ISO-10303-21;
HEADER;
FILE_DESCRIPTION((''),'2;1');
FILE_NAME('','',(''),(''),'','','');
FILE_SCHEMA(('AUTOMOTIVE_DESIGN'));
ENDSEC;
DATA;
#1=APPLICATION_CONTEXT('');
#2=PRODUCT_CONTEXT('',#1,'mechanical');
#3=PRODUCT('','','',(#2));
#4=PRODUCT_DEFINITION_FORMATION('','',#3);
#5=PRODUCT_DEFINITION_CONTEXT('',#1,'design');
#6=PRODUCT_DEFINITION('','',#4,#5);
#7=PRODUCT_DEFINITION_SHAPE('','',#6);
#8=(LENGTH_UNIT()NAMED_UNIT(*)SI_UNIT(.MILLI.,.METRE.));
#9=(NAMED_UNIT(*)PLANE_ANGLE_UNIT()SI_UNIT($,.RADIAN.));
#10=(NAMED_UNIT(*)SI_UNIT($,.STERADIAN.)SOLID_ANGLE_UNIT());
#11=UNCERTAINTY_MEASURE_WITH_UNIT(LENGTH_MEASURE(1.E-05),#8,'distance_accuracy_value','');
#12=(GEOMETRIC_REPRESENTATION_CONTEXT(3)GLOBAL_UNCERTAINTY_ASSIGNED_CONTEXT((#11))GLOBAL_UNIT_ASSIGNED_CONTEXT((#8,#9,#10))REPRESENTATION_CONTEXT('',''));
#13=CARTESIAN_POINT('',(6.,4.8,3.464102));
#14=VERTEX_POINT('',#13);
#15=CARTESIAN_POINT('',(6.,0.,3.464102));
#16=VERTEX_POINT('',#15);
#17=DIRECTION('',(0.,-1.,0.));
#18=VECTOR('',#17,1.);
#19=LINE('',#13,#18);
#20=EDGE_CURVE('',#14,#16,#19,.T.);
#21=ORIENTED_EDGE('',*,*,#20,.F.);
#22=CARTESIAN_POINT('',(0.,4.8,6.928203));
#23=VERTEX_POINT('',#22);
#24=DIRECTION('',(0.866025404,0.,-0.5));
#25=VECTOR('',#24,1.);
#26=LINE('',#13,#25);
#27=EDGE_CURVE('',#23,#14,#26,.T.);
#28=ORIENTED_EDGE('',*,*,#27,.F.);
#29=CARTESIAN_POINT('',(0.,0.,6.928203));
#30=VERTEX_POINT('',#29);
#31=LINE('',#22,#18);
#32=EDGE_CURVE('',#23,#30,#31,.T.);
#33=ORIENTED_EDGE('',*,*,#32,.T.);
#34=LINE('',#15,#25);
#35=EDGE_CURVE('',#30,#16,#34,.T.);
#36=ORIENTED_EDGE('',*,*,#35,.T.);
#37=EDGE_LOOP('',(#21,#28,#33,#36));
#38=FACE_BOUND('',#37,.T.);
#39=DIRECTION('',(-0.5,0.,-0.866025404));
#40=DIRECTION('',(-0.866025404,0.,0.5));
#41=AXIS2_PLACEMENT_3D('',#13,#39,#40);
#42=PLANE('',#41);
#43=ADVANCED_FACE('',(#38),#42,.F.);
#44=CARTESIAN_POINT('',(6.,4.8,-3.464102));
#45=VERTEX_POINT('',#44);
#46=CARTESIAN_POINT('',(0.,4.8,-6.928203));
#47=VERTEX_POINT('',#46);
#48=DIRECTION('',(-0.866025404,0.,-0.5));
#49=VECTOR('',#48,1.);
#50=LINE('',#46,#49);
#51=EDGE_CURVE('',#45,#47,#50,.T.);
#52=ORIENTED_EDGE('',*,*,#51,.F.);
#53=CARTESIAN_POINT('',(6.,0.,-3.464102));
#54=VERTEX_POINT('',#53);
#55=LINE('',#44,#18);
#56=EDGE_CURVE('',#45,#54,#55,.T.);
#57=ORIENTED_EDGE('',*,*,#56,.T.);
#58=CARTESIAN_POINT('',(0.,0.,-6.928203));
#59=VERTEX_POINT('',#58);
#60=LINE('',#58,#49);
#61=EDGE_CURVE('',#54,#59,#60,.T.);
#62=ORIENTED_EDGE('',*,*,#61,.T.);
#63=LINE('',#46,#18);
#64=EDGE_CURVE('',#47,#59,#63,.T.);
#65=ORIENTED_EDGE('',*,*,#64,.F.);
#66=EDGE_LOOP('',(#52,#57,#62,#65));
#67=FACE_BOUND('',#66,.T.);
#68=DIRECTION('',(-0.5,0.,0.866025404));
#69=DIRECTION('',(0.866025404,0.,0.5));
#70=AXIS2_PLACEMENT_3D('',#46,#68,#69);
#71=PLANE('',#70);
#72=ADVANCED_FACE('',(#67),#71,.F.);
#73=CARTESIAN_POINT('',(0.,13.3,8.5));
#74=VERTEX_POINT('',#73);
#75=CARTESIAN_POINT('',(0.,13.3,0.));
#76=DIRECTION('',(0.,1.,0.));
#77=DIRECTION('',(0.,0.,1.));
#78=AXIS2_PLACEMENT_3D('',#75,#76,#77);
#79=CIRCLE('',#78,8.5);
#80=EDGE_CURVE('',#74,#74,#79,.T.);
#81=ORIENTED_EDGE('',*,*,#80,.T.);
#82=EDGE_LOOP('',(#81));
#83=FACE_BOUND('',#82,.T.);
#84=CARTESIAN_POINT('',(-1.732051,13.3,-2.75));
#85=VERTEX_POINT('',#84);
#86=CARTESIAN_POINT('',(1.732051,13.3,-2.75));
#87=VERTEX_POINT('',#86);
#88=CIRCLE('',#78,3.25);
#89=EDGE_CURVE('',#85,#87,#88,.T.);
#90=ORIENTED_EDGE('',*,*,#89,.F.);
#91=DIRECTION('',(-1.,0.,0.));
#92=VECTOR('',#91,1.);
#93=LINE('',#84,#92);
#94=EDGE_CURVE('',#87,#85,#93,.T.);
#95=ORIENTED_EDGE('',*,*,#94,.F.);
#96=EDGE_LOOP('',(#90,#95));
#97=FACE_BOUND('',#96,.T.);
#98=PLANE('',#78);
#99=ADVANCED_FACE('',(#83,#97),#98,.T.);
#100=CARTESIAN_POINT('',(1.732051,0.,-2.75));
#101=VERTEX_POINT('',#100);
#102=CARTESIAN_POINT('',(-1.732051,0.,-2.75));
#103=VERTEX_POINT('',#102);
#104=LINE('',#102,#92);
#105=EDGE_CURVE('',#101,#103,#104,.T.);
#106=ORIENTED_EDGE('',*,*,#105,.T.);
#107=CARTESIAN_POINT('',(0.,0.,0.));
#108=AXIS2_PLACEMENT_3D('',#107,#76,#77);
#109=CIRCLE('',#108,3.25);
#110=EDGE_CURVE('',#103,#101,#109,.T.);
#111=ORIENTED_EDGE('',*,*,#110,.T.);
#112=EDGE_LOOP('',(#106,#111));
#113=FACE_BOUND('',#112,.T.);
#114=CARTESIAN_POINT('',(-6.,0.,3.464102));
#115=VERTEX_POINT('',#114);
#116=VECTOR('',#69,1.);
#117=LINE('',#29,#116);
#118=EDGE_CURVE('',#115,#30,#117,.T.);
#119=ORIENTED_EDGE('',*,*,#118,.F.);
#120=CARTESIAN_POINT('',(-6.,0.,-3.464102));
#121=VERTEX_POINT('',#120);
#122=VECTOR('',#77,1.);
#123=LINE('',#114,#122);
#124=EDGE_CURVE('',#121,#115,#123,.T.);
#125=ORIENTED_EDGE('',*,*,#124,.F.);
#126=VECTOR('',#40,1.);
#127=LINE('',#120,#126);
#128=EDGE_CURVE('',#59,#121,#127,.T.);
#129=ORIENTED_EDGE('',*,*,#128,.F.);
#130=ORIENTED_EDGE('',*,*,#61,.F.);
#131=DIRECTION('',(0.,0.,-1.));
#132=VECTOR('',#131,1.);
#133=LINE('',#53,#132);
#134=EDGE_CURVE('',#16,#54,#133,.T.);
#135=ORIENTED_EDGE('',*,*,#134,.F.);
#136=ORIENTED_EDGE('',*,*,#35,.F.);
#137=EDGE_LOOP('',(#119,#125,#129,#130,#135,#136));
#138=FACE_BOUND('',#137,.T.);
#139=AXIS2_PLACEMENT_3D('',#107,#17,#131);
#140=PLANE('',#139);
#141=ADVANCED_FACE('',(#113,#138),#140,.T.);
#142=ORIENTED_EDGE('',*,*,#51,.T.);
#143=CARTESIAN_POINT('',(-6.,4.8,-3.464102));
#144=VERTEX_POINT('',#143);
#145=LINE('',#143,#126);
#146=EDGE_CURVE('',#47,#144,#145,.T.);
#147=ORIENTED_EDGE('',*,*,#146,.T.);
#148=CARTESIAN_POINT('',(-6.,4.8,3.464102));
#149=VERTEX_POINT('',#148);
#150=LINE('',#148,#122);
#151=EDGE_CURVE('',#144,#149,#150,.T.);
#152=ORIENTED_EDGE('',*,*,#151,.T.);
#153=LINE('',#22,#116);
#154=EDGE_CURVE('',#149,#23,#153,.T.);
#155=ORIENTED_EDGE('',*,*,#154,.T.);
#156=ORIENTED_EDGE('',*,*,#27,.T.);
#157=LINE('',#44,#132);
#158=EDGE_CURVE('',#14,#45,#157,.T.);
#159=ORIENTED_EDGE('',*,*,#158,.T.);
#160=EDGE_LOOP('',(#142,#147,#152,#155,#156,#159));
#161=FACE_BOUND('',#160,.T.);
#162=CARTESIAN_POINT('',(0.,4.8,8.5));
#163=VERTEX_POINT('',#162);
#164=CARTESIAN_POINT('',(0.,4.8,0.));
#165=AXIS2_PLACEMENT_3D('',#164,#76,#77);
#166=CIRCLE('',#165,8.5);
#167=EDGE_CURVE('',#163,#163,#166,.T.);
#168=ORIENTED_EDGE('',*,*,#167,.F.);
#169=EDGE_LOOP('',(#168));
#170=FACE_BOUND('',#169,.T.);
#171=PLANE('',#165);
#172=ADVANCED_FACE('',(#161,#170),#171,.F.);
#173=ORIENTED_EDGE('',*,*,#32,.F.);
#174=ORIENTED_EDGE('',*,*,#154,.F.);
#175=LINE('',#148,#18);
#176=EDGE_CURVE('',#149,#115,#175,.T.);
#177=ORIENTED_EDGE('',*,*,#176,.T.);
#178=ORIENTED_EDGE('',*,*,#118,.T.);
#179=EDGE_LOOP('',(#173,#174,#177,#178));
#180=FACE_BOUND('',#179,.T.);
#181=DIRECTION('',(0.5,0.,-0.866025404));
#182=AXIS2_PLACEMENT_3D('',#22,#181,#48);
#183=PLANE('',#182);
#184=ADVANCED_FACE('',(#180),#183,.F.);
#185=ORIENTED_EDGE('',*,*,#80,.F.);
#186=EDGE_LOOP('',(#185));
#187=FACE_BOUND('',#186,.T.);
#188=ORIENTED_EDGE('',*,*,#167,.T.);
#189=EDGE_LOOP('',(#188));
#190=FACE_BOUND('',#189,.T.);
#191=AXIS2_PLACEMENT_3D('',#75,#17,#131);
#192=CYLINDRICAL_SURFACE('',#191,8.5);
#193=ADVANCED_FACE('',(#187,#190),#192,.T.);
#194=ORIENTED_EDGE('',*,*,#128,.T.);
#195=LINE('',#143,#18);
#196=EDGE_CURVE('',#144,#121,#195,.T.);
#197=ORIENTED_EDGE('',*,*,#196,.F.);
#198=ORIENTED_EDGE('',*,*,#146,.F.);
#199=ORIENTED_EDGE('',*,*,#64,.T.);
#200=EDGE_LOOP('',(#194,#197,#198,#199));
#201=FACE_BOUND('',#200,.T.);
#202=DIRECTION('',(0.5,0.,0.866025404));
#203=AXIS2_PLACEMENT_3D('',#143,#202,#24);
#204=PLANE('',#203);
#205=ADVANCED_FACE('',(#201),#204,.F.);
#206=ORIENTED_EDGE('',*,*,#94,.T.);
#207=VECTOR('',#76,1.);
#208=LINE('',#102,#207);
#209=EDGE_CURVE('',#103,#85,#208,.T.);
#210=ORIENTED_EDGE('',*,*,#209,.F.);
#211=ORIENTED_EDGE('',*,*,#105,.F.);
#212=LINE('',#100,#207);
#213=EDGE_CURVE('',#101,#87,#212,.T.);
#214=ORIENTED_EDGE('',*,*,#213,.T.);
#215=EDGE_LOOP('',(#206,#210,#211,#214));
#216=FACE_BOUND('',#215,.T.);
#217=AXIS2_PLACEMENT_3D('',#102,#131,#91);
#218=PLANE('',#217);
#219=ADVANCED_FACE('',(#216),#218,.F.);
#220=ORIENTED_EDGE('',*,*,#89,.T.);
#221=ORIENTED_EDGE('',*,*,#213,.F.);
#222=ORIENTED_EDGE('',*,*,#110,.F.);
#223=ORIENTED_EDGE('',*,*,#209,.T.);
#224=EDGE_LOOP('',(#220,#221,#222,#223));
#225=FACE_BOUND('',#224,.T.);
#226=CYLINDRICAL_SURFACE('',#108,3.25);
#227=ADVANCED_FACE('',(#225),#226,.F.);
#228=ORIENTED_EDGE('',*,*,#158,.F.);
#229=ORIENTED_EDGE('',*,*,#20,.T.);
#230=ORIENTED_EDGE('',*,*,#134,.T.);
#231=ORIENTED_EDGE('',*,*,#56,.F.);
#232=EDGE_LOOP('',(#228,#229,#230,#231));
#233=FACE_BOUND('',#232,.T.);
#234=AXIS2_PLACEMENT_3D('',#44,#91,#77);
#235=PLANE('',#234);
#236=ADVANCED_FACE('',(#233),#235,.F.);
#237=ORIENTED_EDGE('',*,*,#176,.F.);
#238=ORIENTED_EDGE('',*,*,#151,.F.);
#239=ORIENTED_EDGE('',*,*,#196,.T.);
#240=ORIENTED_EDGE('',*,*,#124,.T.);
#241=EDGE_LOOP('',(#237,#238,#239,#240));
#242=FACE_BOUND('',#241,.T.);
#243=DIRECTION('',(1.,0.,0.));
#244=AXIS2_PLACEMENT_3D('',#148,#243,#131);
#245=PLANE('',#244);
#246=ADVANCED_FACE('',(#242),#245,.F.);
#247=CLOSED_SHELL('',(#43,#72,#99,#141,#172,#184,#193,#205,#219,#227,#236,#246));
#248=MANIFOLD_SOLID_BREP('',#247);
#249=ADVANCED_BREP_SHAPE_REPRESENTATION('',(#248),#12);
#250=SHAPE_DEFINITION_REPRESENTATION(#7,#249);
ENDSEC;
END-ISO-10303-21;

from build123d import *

# Parameters (mm, degrees)
BOSS_EXTRUDE1_DEPTH = 4.8
SKETCH2_R           = 8.5
BOSS_EXTRUDE2_DEPTH = 8.5
CUT_EXTRUDE1_DEPTH  = 18.927353402


with BuildPart() as part:
    # Sketch1 → Boss-Extrude1 (new body)
    with BuildSketch(Plane(origin=(0, 0, 0), x_dir=(1, 0, 0), z_dir=(0, 1, 0))):
        Polygon((-6, 3.464101615), (0, 6.92820323), (6, 3.464101615), (6, -3.464101615), (0, -6.92820323), (-6, -3.464101615), align=None)
    extrude(amount=BOSS_EXTRUDE1_DEPTH)

    # Sketch2 → Boss-Extrude2 (add)
    with BuildSketch(Plane(origin=(0, 4.8, 0), x_dir=(1, 0, 0), z_dir=(0, 1, 0))):
        with Locations(Location((0, 0, 0), (0, 0, 270))):
            Circle(SKETCH2_R)
    extrude(amount=BOSS_EXTRUDE2_DEPTH)

    # Sketch3 → Cut-Extrude1 (cut, through all)
    with BuildSketch(Plane(origin=(0, 13.3, 0), x_dir=(1, 0, 0), z_dir=(0, 1, 0))):
        with BuildLine():
            Line((-1.732050808, 2.75), (1.732050808, 2.75))
            ThreePointArc((1.732050808, 2.75), (0, -3.25), (-1.732050808, 2.75))
        make_face()
    extrude(amount=-CUT_EXTRUDE1_DEPTH, mode=Mode.SUBTRACT)


solid = part.part
